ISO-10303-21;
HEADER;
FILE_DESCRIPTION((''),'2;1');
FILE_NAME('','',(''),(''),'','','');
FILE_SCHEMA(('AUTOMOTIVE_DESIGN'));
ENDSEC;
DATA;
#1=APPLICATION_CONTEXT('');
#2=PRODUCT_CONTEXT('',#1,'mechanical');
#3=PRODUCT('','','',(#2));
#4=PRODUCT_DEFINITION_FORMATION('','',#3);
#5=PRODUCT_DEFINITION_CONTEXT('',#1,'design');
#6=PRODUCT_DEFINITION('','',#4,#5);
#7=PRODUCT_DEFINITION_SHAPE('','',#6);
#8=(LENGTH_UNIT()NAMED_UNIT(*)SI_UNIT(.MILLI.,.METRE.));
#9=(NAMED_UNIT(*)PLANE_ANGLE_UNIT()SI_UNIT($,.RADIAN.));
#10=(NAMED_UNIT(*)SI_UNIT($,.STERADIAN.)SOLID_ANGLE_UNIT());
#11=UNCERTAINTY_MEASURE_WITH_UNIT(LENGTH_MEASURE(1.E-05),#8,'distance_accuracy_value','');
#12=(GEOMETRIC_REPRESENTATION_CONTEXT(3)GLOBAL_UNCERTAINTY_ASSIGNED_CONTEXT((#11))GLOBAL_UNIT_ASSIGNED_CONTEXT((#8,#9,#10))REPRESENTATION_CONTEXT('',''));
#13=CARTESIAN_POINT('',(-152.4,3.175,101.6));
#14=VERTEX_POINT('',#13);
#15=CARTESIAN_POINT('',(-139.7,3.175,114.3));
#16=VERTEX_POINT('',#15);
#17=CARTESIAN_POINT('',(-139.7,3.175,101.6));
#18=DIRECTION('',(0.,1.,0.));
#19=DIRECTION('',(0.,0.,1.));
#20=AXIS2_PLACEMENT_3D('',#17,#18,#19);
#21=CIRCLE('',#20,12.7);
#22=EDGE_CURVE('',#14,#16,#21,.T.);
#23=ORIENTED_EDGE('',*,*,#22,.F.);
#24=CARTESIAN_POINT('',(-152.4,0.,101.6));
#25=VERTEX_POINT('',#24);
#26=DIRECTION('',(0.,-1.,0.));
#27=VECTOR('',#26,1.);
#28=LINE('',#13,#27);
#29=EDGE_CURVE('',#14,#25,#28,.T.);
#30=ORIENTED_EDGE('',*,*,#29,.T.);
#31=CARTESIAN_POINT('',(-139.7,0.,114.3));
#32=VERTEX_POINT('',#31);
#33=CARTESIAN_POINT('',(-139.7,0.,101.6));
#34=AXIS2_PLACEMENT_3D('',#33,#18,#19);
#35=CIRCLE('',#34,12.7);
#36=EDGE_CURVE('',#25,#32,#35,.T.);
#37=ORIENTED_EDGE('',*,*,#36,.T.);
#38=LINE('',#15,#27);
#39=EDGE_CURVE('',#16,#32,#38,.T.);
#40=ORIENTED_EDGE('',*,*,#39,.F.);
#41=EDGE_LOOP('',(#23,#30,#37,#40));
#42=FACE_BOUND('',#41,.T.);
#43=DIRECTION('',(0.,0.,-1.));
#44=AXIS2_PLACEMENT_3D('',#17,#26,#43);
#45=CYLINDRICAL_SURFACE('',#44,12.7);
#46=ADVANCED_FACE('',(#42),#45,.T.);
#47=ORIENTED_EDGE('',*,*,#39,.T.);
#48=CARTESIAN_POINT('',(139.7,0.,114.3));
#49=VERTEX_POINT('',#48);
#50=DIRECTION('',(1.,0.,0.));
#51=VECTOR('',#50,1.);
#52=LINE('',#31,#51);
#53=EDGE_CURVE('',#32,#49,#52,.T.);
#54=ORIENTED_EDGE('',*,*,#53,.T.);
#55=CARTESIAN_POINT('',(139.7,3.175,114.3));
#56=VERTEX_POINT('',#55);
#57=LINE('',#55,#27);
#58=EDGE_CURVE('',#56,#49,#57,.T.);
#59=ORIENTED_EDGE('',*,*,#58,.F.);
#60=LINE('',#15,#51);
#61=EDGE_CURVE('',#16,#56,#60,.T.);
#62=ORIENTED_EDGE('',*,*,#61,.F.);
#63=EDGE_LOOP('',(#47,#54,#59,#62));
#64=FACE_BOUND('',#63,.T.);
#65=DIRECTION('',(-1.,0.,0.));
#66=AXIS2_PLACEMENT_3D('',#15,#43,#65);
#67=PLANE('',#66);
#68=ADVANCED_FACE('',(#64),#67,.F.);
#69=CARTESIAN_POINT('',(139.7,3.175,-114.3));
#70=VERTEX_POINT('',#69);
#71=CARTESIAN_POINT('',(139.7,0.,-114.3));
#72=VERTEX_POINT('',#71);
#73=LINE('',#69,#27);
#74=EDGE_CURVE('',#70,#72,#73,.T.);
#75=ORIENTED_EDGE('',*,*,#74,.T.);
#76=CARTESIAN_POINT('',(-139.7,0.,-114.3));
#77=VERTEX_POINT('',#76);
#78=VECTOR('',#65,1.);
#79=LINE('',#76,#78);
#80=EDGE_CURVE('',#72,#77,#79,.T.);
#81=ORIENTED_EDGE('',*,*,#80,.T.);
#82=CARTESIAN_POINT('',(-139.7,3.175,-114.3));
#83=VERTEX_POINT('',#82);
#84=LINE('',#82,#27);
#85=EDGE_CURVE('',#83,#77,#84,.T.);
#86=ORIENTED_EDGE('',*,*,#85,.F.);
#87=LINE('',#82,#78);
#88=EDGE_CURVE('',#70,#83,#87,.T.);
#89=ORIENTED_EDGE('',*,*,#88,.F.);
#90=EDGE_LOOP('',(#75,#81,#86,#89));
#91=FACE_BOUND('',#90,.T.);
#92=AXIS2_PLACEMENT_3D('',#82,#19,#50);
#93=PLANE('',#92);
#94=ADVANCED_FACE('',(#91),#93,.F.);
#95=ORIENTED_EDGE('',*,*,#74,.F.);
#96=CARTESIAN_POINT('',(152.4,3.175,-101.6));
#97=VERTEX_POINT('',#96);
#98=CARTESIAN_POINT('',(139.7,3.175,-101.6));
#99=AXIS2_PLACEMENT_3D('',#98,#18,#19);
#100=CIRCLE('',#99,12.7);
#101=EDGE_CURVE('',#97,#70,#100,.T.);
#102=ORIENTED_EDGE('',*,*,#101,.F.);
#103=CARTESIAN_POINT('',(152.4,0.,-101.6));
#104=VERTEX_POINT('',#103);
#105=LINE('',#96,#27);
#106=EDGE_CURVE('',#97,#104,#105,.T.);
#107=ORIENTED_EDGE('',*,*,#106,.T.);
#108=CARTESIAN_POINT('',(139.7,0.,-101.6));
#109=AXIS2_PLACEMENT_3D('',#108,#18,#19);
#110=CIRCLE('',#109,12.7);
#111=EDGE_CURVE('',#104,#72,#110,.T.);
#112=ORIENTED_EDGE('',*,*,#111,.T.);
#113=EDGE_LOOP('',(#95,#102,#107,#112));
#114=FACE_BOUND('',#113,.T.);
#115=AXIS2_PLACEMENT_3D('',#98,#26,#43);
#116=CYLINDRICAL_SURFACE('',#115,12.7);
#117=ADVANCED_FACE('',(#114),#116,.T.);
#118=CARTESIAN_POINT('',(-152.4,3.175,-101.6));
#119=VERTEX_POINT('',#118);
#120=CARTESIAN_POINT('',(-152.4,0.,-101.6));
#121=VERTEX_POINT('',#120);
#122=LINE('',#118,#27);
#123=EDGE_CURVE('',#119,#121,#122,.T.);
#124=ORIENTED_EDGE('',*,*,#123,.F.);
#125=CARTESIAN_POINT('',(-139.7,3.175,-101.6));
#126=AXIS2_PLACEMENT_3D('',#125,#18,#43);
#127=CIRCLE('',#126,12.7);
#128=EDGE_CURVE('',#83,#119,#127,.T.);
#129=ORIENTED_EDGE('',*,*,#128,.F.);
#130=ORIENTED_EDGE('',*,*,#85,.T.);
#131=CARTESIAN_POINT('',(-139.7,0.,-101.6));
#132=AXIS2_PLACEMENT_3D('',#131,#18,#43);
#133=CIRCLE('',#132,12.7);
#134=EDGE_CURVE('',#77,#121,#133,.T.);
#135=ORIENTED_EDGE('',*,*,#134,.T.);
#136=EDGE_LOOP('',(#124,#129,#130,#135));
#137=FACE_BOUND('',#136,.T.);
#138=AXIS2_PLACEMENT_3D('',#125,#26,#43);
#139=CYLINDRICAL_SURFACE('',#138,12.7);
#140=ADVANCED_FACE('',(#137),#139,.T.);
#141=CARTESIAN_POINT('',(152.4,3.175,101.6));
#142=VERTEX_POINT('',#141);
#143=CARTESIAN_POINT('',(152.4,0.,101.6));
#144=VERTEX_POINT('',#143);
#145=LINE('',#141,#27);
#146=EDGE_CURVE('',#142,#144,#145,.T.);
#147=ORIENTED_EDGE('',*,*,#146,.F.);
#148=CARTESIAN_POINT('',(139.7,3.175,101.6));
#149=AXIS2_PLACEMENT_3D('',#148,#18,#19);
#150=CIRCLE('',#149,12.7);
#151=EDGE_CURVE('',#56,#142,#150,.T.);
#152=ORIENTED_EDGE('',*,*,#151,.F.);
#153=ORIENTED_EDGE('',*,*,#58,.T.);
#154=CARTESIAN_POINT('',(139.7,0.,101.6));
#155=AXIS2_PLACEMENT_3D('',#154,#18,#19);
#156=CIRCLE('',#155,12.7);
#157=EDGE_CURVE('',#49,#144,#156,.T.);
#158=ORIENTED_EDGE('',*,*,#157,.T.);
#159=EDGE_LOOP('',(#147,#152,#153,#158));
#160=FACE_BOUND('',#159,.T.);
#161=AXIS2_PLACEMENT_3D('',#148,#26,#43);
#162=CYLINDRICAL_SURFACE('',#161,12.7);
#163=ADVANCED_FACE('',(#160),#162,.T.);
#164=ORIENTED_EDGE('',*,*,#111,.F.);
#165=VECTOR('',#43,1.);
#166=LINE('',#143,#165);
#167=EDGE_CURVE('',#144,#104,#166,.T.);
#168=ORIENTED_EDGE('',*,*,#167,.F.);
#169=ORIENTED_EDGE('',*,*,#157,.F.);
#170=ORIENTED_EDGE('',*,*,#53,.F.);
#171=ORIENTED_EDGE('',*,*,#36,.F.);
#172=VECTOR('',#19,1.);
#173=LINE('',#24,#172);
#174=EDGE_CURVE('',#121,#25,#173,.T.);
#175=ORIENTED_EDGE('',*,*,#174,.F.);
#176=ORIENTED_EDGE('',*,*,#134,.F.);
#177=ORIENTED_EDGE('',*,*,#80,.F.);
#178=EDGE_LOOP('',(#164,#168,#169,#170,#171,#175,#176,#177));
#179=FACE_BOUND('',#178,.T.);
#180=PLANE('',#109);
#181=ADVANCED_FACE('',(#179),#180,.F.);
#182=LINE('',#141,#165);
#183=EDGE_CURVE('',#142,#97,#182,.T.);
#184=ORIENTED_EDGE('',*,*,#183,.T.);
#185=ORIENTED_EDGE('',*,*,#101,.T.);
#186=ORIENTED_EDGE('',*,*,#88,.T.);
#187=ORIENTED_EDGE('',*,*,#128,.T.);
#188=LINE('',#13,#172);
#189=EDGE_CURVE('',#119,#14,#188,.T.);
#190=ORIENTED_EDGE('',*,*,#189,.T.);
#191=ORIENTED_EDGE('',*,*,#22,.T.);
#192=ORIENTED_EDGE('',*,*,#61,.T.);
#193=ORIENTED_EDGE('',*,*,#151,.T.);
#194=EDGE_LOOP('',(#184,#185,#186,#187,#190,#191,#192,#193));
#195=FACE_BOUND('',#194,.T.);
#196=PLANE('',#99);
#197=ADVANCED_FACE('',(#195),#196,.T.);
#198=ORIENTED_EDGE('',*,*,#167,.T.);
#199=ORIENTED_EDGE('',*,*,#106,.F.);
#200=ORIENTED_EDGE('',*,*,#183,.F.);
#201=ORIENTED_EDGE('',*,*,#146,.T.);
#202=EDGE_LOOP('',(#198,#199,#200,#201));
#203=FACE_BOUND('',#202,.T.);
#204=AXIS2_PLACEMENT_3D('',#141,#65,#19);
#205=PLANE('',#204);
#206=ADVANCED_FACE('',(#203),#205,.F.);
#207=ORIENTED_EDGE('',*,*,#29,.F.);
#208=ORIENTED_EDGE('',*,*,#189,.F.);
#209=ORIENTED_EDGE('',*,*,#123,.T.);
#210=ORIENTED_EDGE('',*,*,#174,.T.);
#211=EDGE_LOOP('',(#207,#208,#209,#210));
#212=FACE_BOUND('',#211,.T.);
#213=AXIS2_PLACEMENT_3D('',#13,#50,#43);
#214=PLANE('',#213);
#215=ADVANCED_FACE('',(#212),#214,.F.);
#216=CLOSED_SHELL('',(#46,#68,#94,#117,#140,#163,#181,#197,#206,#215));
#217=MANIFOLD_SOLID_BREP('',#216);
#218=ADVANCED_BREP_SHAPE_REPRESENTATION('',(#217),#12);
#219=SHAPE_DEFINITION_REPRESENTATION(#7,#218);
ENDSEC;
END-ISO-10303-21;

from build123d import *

# Parameters (mm, degrees)
BOSS_EXTRUDE1_DEPTH = 3.175


with BuildPart() as part:
    # Sketch1 → Boss-Extrude1 (new body)
    with BuildSketch(Plane(origin=(0, 0, 0), x_dir=(1, 0, 0), z_dir=(0, 1, 0))):
        with BuildLine():
            Line((-139.7, -114.3), (139.7, -114.3))
            ThreePointArc((139.7, -114.3), (148.680256121, -110.580256121), (152.4, -101.6))
            Line((152.4, -101.6), (152.4, 101.6))
            ThreePointArc((152.4, 101.6), (148.680256121, 110.580256121), (139.7, 114.3))
            Line((139.7, 114.3), (-139.7, 114.3))
            ThreePointArc((-139.7, 114.3), (-148.680256121, 110.580256121), (-152.4, 101.6))
            Line((-152.4, 101.6), (-152.4, -101.6))
            ThreePointArc((-152.4, -101.6), (-148.680256121, -110.580256121), (-139.7, -114.3))
        make_face()
    extrude(amount=BOSS_EXTRUDE1_DEPTH)


solid = part.part
